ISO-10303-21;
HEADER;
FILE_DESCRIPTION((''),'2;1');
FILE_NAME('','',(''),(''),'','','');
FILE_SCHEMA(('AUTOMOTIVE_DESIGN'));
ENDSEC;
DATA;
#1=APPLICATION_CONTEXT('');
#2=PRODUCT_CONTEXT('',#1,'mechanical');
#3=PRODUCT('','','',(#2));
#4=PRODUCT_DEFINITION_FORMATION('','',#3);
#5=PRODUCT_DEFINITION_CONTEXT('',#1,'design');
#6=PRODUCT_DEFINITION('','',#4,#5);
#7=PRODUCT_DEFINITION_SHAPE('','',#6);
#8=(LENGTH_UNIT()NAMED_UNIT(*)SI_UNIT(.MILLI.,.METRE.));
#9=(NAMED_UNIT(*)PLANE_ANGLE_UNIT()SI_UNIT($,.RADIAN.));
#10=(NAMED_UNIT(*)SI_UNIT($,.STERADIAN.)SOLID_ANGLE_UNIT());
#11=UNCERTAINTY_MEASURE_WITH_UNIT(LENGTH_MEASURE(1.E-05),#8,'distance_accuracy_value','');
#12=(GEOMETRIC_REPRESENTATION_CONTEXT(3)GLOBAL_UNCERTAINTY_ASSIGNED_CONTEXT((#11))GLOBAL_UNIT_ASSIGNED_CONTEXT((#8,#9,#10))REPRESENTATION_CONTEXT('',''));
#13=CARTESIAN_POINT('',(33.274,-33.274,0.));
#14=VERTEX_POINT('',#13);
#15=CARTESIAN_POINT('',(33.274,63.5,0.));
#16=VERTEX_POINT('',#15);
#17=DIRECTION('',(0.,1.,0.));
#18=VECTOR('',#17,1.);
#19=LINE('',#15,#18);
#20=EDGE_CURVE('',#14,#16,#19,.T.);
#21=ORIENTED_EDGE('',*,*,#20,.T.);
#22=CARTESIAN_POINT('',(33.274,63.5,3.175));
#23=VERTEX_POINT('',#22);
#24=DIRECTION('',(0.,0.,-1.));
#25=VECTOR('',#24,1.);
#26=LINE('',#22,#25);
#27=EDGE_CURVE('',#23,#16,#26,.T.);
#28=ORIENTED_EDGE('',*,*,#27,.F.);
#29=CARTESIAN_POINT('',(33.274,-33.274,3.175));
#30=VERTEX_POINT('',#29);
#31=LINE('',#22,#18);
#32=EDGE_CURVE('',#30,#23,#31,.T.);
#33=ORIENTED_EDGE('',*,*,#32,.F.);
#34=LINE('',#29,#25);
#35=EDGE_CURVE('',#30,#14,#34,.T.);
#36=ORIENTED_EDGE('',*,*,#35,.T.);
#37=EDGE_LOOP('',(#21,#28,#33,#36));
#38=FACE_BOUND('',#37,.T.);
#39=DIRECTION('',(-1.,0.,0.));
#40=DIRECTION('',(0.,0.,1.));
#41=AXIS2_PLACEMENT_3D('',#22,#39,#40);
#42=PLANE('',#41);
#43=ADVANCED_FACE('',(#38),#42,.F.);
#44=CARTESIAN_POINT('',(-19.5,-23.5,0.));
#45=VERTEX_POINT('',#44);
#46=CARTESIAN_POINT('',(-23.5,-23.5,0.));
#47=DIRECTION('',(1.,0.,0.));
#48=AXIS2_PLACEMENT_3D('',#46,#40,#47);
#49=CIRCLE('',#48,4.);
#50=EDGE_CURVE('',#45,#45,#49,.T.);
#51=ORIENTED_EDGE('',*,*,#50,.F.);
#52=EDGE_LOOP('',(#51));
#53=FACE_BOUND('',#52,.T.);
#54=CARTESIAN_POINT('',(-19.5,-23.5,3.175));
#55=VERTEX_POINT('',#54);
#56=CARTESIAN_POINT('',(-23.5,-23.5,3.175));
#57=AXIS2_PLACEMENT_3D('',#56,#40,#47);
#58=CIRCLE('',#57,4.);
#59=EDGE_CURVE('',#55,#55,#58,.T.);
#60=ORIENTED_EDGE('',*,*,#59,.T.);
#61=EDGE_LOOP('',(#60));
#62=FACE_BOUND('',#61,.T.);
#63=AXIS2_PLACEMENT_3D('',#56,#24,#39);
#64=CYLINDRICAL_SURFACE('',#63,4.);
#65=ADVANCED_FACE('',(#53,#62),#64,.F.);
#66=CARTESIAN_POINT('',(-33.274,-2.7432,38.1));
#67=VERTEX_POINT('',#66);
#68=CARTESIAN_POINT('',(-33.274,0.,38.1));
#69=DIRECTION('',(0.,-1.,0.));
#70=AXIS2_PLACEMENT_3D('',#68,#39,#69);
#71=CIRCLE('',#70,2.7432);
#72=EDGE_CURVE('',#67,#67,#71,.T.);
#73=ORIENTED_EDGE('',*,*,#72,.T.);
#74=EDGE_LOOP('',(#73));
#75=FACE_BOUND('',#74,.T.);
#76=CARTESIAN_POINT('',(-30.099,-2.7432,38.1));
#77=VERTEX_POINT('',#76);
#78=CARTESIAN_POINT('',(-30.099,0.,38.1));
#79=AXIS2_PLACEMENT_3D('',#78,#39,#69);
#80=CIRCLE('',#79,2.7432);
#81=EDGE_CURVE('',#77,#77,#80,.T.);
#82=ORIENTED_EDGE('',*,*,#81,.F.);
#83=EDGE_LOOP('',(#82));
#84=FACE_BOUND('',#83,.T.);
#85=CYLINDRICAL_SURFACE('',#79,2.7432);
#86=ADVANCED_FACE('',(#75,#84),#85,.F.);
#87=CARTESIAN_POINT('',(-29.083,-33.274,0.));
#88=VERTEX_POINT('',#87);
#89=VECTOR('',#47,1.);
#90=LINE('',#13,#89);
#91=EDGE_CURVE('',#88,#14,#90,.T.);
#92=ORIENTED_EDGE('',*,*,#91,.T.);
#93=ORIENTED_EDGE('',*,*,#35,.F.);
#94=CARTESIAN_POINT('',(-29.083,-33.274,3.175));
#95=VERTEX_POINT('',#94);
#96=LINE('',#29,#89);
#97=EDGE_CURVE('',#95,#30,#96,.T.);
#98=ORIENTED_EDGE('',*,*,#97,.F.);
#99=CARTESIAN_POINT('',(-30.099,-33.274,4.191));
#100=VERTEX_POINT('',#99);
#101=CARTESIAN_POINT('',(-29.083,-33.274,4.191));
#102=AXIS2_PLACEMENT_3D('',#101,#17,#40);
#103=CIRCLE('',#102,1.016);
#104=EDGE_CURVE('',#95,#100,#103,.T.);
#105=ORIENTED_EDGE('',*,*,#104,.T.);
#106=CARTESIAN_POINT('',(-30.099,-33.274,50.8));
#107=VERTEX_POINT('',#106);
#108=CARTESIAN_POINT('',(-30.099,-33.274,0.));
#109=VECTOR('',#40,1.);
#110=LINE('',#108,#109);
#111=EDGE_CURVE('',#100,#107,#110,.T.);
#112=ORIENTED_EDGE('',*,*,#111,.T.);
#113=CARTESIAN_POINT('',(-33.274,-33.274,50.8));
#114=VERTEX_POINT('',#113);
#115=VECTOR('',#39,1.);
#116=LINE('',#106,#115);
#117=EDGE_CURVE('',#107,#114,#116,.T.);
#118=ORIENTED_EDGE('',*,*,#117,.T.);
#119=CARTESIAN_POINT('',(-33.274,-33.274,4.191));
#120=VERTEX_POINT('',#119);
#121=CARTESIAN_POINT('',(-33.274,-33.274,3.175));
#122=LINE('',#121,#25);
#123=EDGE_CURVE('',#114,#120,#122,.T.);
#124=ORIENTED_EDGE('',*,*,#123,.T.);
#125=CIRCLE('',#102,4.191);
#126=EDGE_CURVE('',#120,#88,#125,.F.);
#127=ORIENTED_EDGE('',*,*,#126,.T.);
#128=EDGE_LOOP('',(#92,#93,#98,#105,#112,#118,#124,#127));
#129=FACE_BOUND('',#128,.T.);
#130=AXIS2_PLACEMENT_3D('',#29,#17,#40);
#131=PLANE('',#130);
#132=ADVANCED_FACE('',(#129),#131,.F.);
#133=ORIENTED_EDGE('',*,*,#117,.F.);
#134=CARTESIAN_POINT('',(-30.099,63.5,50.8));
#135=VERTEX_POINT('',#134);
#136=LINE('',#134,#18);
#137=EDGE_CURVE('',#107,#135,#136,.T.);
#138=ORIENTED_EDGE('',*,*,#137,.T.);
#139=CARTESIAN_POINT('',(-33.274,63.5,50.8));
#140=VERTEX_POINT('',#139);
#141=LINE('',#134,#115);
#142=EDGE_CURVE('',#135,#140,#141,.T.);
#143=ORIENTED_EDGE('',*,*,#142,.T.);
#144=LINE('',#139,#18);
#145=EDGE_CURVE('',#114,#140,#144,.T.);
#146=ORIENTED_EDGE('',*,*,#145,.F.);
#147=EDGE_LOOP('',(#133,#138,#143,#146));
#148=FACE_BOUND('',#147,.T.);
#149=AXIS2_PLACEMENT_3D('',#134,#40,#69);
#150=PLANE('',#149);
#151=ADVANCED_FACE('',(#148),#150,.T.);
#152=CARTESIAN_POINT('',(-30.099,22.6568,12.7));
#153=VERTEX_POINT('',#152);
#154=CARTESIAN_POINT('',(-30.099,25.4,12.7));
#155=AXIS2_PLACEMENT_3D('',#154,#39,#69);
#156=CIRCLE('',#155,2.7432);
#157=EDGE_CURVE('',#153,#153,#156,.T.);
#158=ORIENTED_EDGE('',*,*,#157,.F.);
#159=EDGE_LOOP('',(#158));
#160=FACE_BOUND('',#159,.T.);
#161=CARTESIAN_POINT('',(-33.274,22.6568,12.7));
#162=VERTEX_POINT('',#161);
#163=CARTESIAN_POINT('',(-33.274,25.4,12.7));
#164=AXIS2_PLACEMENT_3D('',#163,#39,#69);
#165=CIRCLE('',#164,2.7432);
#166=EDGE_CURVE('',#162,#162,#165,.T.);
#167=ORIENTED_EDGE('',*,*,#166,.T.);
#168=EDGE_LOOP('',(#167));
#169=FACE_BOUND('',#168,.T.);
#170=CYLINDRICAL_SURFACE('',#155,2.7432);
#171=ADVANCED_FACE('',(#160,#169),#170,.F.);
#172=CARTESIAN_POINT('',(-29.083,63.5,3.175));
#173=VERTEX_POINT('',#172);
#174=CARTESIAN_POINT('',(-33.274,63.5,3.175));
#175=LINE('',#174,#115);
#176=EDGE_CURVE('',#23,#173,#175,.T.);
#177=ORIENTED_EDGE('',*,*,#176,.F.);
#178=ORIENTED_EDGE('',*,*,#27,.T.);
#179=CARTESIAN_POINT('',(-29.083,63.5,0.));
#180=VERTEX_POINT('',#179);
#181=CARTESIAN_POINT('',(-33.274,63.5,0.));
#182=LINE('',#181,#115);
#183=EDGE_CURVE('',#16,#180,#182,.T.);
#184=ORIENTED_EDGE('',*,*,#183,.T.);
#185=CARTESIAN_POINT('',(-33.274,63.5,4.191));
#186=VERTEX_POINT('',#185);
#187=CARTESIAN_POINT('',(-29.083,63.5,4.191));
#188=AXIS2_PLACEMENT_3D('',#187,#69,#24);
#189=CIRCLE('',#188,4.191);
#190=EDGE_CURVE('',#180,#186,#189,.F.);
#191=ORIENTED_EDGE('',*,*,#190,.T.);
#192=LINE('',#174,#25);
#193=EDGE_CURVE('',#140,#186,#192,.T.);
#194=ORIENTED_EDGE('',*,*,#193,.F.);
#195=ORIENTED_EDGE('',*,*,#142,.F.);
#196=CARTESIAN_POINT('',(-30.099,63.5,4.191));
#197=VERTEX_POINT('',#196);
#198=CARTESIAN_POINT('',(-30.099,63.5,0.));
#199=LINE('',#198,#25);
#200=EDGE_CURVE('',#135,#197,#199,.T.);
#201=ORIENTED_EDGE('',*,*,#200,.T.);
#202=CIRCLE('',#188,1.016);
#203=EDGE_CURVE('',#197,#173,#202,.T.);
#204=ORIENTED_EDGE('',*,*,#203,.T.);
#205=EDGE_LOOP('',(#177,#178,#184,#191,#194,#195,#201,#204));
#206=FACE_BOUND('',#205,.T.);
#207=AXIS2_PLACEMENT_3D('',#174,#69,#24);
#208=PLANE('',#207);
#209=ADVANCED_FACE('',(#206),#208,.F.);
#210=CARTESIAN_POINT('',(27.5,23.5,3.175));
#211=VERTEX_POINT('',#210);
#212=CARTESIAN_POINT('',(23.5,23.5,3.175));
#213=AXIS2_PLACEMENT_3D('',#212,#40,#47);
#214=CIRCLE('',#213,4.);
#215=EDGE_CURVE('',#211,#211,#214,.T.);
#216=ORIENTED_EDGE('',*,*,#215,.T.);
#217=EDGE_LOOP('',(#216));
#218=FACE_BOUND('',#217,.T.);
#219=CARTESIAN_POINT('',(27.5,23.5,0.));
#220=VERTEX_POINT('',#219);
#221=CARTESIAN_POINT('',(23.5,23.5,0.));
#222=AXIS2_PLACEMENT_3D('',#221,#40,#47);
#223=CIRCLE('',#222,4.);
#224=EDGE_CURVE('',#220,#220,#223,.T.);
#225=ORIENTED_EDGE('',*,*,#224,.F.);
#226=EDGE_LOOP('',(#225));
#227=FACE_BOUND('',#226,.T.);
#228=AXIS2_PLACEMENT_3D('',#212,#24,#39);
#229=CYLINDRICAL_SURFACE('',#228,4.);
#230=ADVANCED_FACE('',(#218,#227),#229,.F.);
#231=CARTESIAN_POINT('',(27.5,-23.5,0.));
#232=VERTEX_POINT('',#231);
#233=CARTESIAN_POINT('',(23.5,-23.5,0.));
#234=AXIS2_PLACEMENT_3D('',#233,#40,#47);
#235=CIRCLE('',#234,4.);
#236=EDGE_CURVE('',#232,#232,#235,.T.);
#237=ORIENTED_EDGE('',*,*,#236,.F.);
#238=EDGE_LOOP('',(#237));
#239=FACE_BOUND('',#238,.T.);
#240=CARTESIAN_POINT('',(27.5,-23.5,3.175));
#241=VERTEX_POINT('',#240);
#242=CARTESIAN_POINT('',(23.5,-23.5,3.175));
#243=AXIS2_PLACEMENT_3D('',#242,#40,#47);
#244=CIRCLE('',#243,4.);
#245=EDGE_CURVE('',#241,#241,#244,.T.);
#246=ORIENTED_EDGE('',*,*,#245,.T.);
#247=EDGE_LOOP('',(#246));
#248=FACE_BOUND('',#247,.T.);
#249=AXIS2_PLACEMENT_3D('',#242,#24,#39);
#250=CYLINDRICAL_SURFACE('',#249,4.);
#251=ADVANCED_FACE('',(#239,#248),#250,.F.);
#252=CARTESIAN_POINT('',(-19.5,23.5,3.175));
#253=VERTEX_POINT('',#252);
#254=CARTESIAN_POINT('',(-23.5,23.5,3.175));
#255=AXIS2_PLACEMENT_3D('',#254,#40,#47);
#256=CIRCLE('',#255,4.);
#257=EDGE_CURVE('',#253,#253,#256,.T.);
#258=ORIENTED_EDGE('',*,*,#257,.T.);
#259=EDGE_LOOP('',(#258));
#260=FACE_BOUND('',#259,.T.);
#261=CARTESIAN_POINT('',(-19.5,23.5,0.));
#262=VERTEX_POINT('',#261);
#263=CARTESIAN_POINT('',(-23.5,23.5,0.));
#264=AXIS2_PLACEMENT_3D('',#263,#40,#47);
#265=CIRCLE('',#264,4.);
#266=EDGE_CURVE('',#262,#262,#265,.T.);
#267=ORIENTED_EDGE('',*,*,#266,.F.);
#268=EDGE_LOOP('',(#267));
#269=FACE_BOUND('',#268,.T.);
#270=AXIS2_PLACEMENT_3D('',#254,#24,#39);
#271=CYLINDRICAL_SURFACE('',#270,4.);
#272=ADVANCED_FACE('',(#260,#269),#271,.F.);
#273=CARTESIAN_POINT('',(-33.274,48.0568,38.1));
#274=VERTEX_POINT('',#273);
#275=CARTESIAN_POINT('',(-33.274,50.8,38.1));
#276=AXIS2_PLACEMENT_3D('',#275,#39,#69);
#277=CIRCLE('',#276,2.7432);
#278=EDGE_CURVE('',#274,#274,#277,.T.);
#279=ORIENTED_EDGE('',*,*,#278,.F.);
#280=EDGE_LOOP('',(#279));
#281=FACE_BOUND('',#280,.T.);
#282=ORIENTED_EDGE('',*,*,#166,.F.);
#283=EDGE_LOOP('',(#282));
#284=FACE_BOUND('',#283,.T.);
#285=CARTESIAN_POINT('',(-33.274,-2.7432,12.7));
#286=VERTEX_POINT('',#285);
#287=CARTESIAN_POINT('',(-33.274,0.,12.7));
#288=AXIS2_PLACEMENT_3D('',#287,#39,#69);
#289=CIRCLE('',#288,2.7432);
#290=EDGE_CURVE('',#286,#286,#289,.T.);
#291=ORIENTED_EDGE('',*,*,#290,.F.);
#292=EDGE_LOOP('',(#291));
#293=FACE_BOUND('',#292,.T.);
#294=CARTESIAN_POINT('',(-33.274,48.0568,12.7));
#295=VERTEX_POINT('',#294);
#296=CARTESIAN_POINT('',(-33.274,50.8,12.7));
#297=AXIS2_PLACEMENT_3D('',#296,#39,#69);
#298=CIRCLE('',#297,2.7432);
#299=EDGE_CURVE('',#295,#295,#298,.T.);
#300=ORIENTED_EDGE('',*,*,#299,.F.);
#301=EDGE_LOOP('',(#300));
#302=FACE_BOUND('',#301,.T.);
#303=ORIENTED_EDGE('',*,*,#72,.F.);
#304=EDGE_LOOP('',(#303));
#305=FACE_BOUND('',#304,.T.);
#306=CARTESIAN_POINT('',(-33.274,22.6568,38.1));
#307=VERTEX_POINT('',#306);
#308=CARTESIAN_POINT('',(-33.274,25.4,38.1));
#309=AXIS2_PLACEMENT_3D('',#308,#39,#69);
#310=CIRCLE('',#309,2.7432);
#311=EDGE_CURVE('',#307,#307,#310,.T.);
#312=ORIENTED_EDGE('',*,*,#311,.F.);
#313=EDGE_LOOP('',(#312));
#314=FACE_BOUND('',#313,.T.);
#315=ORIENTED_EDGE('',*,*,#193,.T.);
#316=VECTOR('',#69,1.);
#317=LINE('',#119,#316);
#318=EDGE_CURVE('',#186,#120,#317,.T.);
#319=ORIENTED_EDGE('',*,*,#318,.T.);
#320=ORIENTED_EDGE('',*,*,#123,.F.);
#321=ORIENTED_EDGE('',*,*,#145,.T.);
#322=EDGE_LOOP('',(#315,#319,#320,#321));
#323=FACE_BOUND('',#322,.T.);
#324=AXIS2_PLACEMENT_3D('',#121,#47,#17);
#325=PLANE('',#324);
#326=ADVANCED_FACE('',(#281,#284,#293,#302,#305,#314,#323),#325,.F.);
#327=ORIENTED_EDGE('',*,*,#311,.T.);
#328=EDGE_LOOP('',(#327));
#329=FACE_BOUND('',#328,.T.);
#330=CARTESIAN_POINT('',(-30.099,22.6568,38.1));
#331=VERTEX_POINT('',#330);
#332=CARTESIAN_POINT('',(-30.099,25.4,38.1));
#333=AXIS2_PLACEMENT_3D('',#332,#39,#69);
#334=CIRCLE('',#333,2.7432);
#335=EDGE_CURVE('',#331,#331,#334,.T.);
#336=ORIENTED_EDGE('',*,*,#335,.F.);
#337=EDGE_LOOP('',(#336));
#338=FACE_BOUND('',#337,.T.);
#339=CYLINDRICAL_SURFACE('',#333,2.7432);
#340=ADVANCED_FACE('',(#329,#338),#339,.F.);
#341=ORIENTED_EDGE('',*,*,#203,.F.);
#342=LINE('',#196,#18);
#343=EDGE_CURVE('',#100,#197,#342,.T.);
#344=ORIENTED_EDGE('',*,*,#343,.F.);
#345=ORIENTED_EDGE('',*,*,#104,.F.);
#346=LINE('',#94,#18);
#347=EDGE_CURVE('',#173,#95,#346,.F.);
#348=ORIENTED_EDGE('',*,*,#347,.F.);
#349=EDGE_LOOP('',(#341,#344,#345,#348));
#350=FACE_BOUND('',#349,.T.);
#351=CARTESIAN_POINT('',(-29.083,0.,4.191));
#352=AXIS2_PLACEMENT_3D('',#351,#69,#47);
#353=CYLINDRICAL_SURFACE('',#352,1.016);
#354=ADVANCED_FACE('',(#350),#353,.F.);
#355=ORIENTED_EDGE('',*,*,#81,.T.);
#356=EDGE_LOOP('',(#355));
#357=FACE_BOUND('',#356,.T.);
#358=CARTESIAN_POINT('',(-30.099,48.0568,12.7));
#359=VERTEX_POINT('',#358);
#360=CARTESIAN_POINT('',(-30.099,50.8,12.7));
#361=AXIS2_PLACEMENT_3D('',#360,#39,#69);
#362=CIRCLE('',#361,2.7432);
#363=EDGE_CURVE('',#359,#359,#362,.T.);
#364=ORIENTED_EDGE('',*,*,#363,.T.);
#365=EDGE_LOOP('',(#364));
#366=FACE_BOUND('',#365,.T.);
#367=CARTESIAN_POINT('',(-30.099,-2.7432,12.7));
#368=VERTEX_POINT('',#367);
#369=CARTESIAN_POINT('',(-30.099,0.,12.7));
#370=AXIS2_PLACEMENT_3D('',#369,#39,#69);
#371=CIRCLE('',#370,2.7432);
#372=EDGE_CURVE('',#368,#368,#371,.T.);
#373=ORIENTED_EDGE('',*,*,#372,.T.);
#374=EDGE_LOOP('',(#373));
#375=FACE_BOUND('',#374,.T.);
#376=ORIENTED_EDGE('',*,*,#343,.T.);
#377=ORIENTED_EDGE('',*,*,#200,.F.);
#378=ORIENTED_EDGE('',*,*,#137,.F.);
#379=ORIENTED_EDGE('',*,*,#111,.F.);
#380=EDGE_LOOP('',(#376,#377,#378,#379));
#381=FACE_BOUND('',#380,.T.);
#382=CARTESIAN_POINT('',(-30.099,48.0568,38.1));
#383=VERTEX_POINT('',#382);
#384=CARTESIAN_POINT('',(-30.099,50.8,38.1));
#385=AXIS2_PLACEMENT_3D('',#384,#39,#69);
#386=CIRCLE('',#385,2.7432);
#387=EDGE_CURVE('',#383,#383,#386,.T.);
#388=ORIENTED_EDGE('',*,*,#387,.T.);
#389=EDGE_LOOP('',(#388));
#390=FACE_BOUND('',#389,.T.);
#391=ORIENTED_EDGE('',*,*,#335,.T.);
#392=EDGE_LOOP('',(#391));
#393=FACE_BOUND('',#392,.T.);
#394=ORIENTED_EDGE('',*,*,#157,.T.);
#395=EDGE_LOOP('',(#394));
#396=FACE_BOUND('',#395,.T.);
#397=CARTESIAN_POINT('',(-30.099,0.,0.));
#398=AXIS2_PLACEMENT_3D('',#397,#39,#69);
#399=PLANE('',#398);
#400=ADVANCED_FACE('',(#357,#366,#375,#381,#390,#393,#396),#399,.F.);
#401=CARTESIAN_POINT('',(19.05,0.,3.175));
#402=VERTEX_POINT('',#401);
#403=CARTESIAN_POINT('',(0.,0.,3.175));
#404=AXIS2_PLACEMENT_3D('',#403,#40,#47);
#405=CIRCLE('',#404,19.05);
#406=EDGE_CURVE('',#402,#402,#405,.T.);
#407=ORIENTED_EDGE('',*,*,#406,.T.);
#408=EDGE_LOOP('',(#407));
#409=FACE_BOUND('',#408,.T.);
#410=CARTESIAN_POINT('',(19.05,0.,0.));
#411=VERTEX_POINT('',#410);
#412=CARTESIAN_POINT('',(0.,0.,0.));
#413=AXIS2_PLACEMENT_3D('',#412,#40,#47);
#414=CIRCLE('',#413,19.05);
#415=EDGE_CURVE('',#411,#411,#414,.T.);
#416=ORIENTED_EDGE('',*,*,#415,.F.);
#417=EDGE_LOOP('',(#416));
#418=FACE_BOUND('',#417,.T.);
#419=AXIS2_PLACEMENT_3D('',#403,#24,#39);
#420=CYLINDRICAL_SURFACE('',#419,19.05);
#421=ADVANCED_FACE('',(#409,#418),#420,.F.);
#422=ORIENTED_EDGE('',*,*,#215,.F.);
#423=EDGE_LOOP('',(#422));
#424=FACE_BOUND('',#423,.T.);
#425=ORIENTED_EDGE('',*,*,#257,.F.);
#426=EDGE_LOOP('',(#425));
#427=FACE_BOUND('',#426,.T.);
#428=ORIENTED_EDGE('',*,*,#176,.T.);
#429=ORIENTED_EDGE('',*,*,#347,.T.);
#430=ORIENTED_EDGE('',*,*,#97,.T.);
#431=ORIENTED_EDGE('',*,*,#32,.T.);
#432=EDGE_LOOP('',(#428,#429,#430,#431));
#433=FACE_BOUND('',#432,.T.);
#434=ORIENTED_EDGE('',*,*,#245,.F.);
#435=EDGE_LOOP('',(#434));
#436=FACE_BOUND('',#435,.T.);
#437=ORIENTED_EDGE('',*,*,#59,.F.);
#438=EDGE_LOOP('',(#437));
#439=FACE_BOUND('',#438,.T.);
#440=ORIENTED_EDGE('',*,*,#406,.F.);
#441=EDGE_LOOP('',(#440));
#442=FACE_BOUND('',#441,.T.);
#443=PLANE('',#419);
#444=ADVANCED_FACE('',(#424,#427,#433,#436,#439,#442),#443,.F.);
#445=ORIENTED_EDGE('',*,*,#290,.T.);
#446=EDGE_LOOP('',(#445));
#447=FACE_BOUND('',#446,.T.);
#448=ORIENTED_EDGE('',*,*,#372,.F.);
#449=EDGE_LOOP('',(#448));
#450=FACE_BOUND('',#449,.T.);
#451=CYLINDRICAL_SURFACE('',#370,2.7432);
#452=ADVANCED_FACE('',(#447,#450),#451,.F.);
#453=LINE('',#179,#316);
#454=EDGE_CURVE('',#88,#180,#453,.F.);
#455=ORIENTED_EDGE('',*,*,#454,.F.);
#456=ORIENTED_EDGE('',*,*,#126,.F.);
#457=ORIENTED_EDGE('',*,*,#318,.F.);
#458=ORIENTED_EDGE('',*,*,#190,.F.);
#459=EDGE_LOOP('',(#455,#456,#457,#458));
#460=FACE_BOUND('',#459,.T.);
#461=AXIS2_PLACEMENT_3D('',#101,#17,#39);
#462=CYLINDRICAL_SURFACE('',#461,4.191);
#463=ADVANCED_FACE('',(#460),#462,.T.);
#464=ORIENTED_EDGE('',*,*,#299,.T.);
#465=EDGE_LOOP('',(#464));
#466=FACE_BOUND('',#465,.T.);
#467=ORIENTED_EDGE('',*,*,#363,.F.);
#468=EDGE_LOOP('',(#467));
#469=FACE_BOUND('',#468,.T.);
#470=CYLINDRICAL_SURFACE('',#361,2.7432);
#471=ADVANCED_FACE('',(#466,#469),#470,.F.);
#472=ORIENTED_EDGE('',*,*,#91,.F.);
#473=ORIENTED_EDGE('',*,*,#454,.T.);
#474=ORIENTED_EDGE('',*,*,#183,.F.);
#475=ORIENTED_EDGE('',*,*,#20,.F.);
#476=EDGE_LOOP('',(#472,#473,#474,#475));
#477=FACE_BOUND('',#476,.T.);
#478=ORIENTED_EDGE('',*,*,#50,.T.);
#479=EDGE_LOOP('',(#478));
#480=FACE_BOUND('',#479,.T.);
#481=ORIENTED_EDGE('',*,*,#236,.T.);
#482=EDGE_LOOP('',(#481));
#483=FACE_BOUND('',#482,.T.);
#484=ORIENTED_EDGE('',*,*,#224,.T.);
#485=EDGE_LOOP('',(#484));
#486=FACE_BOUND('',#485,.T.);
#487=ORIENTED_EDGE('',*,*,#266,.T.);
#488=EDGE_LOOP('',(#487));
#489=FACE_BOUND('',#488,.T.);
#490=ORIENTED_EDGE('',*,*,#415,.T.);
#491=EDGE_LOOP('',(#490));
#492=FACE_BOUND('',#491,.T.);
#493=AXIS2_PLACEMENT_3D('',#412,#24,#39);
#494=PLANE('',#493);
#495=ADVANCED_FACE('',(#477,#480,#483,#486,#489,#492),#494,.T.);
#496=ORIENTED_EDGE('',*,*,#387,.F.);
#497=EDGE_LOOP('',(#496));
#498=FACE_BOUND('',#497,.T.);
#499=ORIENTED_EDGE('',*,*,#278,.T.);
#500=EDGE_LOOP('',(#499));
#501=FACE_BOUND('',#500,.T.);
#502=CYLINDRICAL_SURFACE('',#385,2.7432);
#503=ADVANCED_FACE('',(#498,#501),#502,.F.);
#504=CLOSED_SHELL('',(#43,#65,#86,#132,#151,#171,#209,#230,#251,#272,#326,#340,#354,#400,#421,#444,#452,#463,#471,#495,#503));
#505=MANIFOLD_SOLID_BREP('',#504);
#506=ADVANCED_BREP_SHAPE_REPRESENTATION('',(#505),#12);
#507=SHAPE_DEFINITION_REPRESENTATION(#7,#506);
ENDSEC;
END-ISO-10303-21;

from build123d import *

# Parameters (mm, degrees)
SKETCH1_W           = 66.548
SKETCH1_H           = 96.774
SKETCH1_R           = 19.05
SKETCH1_R_2         = 4
BOSS_EXTRUDE3_DEPTH = 3.175
SKETCH3_W           = 50.8
SKETCH3_H           = 96.774
SKETCH3_R           = 2.7432
BOSS_EXTRUDE4_DEPTH = 3.175
FILLET2_R           = 1.016
FILLET3_R           = 4.191


with BuildPart() as part:
    # Sketch1 → Boss-Extrude3 (new body)
    with BuildSketch(Plane.XY):
        with Locations((0, 15.113)):
            Rectangle(SKETCH1_W, SKETCH1_H)
        Circle(SKETCH1_R, mode=Mode.SUBTRACT)
        with Locations((23.5, 23.5)):
            Circle(SKETCH1_R_2, mode=Mode.SUBTRACT)
        with Locations((23.5, -23.5)):
            Circle(SKETCH1_R_2, mode=Mode.SUBTRACT)
        with Locations((-23.5, -23.5)):
            Circle(SKETCH1_R_2, mode=Mode.SUBTRACT)
        with Locations((-23.5, 23.5)):
            Circle(SKETCH1_R_2, mode=Mode.SUBTRACT)
    extrude(amount=BOSS_EXTRUDE3_DEPTH)

    # Sketch3 → Boss-Extrude4 (add)
    with BuildSketch(Plane.ZY.offset(33.274)):
        with Locations((25.4, 15.113)):
            Rectangle(SKETCH3_W, SKETCH3_H)
        with Locations(Location((38.1, 50.8, 0), (0, 0, 270))):
            Circle(SKETCH3_R, mode=Mode.SUBTRACT)
        with Locations(Location((12.7, 50.8, 0), (0, 0, 270))):
            Circle(SKETCH3_R, mode=Mode.SUBTRACT)
        with Locations(Location((38.1, 25.4, 0), (0, 0, 270))):
            Circle(SKETCH3_R, mode=Mode.SUBTRACT)
        with Locations(Location((12.7, 25.4, 0), (0, 0, 270))):
            Circle(SKETCH3_R, mode=Mode.SUBTRACT)
        with Locations(Location((38.1, 0, 0), (0, 0, 270))):
            Circle(SKETCH3_R, mode=Mode.SUBTRACT)
        with Locations(Location((12.7, 0, 0), (0, 0, 270))):
            Circle(SKETCH3_R, mode=Mode.SUBTRACT)
    extrude(amount=-BOSS_EXTRUDE4_DEPTH)

    # Fillet2
    fillet2_edges = [part.edges().sort_by_distance(p)[0] for p in [
        (-30.099, 15.113, 3.175),
    ]]
    fillet(fillet2_edges, radius=FILLET2_R)

    # Fillet3
    fillet3_edges = [part.edges().sort_by_distance(p)[0] for p in [
        (-33.274, 15.113, 0),
    ]]
    fillet(fillet3_edges, radius=FILLET3_R)


solid = part.part
